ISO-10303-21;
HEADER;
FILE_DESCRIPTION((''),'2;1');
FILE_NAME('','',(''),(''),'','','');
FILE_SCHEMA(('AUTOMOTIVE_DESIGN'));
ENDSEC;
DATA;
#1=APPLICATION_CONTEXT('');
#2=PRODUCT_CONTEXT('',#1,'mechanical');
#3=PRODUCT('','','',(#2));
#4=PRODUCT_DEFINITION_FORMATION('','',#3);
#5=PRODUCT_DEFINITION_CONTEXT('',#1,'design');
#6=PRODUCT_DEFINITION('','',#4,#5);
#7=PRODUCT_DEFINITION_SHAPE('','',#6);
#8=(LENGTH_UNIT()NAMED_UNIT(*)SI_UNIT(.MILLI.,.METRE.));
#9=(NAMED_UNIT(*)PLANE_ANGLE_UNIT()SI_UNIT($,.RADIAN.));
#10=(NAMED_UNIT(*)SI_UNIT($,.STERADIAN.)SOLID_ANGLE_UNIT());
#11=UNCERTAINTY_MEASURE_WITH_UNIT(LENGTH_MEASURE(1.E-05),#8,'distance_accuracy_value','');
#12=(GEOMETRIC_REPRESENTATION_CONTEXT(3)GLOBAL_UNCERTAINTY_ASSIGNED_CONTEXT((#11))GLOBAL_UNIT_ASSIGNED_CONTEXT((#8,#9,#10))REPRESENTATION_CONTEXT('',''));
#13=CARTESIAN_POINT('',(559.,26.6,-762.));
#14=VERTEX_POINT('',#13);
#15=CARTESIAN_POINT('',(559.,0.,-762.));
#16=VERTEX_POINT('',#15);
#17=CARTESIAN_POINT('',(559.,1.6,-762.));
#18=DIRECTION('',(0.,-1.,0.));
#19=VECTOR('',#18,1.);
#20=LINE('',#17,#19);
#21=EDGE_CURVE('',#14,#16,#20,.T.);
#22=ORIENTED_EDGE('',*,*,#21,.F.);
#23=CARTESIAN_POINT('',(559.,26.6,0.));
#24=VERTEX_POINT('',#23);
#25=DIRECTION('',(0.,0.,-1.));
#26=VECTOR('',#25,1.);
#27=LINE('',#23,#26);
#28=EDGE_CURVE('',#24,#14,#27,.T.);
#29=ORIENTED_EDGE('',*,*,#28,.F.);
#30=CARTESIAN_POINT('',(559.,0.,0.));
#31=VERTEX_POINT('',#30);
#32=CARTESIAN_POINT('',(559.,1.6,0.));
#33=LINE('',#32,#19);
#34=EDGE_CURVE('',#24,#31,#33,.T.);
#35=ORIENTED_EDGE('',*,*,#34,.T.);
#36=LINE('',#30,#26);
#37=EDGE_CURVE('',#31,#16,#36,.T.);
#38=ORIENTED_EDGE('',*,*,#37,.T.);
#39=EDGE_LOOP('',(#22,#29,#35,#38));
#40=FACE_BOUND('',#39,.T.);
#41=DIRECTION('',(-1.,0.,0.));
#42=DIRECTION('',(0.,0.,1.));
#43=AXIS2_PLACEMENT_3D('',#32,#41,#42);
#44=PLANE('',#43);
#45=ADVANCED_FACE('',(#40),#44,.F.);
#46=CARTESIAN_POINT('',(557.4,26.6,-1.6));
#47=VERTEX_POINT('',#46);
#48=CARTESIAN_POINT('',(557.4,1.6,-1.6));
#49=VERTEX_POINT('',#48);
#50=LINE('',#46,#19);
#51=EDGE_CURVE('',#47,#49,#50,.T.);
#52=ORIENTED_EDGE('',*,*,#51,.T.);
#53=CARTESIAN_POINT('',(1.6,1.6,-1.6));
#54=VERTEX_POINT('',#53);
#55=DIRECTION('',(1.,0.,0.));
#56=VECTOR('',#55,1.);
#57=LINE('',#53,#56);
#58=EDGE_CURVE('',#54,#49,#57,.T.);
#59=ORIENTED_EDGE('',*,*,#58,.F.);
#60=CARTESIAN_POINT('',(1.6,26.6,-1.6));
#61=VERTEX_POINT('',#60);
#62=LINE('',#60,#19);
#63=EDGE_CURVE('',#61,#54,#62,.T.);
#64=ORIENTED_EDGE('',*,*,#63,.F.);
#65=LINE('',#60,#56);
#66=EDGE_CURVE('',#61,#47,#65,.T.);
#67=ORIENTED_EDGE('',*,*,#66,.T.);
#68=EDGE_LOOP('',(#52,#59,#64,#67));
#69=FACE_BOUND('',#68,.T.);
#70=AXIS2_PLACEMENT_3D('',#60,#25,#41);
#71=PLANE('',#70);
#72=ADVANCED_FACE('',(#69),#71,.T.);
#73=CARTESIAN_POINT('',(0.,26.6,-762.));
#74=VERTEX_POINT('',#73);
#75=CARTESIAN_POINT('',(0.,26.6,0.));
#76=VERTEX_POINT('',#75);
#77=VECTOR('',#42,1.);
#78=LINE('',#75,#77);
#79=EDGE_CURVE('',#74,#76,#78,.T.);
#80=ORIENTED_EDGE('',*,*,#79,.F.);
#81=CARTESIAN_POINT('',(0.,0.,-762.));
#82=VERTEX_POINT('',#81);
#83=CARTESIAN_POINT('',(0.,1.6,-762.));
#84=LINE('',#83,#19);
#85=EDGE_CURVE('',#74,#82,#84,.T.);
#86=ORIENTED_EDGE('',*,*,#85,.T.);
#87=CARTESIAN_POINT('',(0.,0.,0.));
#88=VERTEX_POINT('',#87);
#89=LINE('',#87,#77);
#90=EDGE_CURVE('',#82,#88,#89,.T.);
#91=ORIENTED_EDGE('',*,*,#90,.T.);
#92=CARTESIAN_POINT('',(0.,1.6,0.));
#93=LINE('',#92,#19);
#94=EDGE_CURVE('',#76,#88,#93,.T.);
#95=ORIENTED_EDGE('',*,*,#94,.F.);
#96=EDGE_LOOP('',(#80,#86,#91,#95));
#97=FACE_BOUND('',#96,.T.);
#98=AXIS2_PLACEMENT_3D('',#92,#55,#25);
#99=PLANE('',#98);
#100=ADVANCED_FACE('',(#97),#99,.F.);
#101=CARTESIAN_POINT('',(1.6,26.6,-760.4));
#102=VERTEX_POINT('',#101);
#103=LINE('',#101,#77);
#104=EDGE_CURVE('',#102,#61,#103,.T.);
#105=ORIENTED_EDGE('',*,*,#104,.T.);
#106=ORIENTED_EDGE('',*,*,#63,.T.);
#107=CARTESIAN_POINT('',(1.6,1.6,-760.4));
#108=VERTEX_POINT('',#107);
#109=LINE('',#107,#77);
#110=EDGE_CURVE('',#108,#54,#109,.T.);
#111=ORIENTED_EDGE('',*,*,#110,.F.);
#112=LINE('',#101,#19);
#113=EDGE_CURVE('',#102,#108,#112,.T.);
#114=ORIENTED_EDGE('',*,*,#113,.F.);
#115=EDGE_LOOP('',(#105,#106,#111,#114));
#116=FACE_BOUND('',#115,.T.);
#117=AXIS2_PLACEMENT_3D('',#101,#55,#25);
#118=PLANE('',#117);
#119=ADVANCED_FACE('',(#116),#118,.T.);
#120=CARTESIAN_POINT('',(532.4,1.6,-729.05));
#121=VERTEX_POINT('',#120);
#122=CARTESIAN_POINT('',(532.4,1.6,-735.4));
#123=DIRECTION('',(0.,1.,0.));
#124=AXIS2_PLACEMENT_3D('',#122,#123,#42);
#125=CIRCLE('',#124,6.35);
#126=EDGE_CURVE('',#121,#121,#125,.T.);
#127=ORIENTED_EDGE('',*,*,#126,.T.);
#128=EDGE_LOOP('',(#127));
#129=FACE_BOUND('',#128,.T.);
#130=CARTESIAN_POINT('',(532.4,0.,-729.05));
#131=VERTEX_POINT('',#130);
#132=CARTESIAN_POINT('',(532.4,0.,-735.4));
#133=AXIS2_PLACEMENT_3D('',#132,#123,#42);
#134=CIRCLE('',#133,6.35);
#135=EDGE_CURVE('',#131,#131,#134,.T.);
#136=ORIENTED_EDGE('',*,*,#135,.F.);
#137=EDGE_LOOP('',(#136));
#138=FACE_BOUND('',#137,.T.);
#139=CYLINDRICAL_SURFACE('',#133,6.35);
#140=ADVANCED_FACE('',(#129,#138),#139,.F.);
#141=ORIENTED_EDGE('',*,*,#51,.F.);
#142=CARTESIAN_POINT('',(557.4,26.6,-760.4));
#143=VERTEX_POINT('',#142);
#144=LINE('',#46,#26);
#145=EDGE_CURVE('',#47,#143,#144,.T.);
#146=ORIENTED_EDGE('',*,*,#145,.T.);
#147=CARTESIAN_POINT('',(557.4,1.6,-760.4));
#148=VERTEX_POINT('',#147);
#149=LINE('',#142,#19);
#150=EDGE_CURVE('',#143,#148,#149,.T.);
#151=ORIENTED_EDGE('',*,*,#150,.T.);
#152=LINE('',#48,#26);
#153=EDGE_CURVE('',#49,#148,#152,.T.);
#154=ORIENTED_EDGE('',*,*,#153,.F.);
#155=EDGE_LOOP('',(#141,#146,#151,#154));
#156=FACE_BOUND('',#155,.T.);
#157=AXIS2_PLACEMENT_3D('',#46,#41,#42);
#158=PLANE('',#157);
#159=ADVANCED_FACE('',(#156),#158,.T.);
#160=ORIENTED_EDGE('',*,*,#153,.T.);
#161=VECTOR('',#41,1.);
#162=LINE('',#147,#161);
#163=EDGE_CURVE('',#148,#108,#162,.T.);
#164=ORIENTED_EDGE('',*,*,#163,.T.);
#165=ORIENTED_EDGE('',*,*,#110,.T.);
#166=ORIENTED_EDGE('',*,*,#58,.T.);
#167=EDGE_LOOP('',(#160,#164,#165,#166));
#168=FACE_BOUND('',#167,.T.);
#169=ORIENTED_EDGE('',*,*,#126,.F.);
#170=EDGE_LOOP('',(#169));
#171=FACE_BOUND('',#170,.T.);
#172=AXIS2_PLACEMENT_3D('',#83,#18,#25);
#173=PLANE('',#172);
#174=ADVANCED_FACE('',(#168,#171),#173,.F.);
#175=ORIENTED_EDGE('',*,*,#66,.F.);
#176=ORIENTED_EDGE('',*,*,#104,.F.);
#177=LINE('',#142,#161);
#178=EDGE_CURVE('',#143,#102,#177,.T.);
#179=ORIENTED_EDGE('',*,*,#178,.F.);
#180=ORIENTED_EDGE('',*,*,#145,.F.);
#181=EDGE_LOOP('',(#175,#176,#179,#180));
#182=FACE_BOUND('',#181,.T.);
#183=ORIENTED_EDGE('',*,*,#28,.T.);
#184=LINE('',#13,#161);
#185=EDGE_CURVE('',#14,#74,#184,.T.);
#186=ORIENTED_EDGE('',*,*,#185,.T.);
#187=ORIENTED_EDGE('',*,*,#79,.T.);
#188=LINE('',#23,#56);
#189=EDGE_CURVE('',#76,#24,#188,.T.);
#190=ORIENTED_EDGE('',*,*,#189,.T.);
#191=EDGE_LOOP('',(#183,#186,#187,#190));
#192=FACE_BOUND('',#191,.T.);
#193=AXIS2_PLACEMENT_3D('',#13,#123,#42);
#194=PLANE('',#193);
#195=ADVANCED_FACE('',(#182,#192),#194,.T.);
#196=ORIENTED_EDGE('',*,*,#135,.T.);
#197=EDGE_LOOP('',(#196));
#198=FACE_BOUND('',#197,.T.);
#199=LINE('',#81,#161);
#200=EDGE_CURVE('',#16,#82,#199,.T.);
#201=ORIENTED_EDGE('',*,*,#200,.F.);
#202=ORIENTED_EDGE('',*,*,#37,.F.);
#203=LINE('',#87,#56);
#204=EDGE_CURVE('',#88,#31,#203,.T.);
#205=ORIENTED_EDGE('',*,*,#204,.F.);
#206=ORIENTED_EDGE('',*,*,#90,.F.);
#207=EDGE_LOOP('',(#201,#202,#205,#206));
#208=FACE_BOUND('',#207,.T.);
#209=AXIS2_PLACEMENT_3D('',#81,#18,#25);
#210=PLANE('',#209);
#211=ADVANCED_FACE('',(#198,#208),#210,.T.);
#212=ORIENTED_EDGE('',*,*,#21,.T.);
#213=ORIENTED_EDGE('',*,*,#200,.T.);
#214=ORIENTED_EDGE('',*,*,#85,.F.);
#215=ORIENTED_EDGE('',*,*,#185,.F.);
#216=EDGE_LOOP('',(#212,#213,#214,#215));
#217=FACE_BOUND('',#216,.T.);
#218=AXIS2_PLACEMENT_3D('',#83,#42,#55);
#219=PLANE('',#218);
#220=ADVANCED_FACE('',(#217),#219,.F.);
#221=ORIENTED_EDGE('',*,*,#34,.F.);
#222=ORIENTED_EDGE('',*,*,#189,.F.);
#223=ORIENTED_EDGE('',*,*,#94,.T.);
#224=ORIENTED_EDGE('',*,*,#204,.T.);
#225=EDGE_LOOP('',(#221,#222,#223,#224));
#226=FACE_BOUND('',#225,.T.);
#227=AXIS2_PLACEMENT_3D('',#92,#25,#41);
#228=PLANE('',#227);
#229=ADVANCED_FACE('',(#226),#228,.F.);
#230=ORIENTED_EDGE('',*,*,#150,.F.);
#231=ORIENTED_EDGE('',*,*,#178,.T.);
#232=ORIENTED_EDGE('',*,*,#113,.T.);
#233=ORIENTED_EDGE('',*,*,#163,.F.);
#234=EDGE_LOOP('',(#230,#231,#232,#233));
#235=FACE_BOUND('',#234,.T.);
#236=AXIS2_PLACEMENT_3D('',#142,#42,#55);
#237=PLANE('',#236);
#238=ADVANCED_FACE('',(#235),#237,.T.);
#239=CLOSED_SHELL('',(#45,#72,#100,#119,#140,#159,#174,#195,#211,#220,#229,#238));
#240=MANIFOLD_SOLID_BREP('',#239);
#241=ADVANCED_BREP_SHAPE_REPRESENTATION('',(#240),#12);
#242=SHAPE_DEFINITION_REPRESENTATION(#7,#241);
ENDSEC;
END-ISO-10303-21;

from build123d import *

# Parameters (mm, degrees)
SKETCH1_W           = 559
SKETCH1_H           = 762
BOSS_EXTRUDE1_DEPTH = 1.6
SKETCH2_W           = 559
SKETCH2_H           = 762
SKETCH2_W_2         = 555.8
SKETCH2_H_2         = 758.8
BOSS_EXTRUDE2_DEPTH = 25
SKETCH3_R           = 6.35
CUT_EXTRUDE1_DEPTH  = 2.6


with BuildPart() as part:
    # Sketch1 → Boss-Extrude1 (new body)
    with BuildSketch(Plane(origin=(0, 0, 0), x_dir=(1, 0, 0), z_dir=(0, 1, 0))):
        with Locations((279.5, 381)):
            Rectangle(SKETCH1_W, SKETCH1_H)
    extrude(amount=BOSS_EXTRUDE1_DEPTH)

    # Sketch2 → Boss-Extrude2 (add)
    with BuildSketch(Plane(origin=(0, 1.6, 0), x_dir=(1, 0, 0), z_dir=(0, 1, 0))):
        with Locations((279.5, 381)):
            Rectangle(SKETCH2_W, SKETCH2_H)
        with Locations((279.5, 381)):
            Rectangle(SKETCH2_W_2, SKETCH2_H_2, mode=Mode.SUBTRACT)
    extrude(amount=BOSS_EXTRUDE2_DEPTH)

    # Sketch3 → Cut-Extrude1 (cut, through all)
    with BuildSketch(Plane(origin=(0, 1.6, 0), x_dir=(1, 0, 0), z_dir=(0, 1, 0))):
        with Locations((532.4, 735.4)):
            Circle(SKETCH3_R)
    extrude(amount=-CUT_EXTRUDE1_DEPTH, mode=Mode.SUBTRACT)


solid = part.part
